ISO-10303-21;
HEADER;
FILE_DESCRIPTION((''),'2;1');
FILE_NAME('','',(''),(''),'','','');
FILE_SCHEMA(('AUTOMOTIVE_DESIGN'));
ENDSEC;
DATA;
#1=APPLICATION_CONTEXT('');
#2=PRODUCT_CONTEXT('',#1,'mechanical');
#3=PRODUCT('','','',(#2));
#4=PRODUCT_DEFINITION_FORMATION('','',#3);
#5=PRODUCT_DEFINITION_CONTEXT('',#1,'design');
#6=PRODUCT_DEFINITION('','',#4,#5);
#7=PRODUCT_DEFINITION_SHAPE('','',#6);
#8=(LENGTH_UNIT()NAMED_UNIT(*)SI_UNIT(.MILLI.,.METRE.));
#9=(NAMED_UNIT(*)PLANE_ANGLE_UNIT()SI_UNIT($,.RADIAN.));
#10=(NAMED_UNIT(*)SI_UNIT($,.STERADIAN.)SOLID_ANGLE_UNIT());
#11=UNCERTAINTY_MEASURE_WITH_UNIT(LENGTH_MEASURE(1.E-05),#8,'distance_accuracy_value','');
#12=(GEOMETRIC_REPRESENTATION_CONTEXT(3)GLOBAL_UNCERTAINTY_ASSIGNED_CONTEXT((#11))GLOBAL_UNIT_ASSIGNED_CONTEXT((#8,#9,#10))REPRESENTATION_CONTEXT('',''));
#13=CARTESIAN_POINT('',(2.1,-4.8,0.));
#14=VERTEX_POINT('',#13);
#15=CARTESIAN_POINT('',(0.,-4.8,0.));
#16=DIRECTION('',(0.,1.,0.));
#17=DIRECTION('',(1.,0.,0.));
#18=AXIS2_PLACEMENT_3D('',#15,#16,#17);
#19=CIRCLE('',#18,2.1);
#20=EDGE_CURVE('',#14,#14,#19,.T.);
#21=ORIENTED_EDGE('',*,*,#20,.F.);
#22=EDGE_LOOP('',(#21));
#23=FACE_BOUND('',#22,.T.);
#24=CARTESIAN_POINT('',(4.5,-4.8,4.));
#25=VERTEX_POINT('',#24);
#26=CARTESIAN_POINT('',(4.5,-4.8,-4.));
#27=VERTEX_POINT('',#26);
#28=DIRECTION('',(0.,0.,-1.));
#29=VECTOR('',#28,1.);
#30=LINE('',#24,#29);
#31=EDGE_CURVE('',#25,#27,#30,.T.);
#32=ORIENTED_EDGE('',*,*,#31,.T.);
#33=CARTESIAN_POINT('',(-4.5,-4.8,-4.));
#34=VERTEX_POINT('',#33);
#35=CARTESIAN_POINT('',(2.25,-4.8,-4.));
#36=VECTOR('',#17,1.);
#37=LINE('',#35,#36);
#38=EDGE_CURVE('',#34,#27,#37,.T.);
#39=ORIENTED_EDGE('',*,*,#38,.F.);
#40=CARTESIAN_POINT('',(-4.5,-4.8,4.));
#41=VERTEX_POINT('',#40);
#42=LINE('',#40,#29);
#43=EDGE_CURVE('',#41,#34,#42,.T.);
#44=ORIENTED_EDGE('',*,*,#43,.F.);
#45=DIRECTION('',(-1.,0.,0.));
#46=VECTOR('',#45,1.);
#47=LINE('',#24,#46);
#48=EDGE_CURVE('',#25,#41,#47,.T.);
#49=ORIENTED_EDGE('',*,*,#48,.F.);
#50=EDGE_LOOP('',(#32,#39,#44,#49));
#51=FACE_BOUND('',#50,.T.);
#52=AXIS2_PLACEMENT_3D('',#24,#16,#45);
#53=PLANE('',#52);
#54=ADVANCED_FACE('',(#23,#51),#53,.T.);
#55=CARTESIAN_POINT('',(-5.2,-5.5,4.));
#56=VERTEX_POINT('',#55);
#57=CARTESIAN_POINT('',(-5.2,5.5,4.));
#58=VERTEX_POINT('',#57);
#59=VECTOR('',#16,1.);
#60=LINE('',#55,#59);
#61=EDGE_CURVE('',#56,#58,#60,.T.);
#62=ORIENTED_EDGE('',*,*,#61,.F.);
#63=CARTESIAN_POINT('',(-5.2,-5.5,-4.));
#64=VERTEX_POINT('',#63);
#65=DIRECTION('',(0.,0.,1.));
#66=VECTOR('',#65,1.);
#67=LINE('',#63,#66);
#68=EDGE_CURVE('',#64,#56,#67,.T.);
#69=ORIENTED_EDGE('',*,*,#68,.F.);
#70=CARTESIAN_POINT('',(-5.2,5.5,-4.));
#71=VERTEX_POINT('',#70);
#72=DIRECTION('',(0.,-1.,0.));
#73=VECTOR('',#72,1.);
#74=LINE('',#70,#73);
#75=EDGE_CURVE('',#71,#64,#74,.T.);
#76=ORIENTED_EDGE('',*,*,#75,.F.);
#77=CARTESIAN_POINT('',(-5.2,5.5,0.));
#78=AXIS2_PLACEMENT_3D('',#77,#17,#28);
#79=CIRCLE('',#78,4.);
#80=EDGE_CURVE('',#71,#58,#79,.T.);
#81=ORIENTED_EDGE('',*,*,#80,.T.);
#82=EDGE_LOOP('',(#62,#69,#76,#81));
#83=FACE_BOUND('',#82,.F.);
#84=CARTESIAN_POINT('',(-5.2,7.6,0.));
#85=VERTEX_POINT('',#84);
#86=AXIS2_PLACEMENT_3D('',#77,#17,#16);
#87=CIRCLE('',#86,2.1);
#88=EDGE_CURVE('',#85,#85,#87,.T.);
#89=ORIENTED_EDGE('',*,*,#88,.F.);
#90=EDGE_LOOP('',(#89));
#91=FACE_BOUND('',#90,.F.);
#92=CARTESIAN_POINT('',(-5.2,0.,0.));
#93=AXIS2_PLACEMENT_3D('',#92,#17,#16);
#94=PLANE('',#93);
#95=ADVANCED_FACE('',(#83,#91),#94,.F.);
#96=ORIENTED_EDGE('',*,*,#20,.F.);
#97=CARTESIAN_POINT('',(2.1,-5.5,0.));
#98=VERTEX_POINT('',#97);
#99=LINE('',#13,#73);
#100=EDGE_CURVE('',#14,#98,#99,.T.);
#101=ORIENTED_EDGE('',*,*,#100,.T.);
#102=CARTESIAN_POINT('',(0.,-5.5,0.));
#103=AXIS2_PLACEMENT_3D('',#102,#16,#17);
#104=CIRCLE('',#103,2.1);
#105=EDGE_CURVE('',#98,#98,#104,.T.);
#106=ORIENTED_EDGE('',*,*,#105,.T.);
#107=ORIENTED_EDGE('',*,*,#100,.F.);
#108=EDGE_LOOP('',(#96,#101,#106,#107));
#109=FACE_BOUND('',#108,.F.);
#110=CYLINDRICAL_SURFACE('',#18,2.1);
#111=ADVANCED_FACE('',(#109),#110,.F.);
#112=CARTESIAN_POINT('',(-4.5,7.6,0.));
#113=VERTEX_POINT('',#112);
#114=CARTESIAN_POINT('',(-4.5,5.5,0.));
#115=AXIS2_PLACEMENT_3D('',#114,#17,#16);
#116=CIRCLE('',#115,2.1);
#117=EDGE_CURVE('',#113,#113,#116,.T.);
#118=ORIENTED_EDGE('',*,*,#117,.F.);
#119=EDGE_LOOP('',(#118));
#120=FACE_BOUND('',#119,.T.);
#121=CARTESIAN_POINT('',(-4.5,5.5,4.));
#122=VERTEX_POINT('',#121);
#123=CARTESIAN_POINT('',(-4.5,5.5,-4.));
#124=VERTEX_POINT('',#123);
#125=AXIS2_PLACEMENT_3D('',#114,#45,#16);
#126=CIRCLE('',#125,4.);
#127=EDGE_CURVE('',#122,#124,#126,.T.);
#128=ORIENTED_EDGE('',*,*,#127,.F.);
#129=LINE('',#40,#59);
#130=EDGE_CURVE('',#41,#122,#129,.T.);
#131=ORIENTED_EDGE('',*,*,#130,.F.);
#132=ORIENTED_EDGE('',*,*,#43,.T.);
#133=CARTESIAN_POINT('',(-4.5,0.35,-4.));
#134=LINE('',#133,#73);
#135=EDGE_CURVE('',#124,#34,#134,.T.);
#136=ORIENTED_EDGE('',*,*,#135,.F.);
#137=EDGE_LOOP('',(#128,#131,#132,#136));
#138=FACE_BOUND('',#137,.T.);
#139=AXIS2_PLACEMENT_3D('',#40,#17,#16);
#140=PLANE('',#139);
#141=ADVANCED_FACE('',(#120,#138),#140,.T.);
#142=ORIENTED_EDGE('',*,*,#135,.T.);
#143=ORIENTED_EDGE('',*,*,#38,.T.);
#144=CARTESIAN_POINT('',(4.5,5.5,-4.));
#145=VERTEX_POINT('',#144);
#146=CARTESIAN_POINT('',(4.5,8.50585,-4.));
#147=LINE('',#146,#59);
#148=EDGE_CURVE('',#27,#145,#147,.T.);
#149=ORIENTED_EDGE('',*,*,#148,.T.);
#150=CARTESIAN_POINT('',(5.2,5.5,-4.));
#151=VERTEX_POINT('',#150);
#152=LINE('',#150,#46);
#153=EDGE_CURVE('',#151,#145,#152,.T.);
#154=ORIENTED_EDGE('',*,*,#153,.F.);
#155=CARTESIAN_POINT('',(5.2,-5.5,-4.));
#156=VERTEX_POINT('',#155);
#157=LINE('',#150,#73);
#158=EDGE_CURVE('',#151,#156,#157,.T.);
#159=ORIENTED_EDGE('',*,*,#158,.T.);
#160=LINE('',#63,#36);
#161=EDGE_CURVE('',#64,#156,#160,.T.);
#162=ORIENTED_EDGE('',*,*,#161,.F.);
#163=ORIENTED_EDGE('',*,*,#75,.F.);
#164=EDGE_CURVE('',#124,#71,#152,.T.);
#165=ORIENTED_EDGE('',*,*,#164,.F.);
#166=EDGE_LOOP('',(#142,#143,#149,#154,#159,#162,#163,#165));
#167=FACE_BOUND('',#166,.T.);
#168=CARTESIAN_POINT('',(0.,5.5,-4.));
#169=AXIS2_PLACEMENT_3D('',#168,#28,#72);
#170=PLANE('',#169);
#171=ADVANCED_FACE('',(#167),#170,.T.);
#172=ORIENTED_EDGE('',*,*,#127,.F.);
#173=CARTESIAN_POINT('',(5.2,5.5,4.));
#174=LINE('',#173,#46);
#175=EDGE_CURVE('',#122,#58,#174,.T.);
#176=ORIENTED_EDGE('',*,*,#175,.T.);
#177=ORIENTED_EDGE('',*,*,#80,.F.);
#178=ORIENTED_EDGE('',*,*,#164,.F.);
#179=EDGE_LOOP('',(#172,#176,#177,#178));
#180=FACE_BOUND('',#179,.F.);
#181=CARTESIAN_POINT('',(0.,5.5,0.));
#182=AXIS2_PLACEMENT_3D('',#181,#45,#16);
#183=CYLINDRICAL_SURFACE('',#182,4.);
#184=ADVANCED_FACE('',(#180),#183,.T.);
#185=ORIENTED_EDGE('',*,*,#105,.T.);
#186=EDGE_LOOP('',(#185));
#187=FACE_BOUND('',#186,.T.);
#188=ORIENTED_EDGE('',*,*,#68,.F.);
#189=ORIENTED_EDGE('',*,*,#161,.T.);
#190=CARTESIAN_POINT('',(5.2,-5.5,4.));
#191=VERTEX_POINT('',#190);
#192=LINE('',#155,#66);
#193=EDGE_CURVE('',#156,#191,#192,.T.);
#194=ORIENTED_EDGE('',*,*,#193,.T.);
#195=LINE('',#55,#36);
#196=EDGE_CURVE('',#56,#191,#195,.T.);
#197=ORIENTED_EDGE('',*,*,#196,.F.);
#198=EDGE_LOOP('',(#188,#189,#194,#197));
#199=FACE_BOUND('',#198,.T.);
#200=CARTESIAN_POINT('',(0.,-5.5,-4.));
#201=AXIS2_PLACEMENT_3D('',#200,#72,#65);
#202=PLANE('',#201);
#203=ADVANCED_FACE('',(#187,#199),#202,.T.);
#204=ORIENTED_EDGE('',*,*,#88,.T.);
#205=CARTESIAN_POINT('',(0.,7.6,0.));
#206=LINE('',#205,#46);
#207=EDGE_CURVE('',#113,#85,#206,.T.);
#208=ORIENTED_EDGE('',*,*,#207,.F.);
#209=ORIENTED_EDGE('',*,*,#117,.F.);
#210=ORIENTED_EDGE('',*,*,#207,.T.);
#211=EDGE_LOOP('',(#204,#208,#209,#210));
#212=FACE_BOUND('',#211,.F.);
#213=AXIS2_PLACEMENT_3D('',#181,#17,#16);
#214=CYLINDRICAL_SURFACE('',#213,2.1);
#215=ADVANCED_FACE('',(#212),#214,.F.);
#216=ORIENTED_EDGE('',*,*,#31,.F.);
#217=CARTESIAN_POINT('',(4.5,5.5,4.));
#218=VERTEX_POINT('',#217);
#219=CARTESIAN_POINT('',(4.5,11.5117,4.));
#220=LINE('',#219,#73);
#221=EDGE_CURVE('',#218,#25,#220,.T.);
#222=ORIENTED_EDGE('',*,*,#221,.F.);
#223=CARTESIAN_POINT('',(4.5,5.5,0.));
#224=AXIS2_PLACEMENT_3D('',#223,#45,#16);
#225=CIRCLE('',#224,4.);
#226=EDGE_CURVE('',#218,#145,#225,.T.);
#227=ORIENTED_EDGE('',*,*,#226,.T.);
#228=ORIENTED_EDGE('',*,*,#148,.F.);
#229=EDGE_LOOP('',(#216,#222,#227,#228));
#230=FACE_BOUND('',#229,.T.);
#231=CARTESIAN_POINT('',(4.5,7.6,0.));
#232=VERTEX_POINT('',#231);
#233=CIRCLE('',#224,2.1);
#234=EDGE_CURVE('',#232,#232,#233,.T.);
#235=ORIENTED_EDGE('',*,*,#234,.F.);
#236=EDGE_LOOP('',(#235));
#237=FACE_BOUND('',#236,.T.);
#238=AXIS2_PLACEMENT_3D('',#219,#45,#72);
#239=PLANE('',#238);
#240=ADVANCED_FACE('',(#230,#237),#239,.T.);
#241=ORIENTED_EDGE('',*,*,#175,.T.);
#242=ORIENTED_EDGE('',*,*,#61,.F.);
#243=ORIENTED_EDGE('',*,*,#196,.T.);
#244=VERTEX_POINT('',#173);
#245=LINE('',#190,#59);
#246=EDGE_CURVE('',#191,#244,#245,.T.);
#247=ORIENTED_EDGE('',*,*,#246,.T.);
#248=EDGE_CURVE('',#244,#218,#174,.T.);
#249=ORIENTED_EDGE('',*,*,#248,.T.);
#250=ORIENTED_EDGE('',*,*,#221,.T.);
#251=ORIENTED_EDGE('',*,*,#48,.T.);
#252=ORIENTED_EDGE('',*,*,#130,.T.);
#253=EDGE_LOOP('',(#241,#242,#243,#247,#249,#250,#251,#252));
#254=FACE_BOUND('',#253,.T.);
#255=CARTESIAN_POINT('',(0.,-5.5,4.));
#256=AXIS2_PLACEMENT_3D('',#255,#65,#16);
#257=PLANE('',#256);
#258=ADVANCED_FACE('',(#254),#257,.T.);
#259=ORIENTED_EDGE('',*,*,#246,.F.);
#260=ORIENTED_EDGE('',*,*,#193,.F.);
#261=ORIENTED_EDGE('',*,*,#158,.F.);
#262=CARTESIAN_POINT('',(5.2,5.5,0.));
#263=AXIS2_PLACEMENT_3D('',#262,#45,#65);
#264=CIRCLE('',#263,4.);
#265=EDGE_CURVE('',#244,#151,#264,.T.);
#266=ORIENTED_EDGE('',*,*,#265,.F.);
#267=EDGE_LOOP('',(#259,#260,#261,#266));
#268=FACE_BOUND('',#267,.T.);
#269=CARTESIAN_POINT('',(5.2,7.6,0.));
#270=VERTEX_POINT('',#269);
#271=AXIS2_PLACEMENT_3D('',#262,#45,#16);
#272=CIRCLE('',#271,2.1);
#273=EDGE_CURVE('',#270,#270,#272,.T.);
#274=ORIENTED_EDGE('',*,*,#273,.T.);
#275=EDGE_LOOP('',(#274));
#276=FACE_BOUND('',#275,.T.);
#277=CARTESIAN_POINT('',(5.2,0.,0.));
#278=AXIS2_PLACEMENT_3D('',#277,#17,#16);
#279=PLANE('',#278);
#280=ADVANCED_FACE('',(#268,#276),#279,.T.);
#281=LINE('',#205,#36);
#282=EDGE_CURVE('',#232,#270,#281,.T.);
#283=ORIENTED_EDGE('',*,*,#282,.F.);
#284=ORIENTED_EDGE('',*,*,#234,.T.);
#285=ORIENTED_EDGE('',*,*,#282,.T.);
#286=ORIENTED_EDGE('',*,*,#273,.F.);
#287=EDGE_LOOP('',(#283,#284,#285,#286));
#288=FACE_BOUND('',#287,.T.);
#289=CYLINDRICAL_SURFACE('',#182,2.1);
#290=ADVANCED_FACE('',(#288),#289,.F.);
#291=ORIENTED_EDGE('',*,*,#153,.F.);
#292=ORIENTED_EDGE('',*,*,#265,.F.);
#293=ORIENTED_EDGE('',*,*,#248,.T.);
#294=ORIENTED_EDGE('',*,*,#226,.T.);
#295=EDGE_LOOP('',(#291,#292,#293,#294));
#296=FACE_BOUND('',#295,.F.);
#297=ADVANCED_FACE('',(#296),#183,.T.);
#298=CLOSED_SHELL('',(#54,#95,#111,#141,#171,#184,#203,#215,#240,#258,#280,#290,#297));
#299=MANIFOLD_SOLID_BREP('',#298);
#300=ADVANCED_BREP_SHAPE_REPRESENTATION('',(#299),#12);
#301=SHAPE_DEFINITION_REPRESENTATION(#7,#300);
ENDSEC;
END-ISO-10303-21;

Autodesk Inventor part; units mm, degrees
ref_plane "YZ Plane" through (0, 0, 0) normal (1, 0, 0) x (0, 1, 0)
ref_plane "XZ Plane" through (0, 0, 0) normal (0, 1, 0) x (-1, 0, 0)
ref_plane "XY Plane" through (0, 0, 0) normal (0, 0, 1) x (1, 0, 0)
sketch "스케치1" plane through (0, 0, 0) normal (1, 0, 0) x (0, 1, 0)
  line L0 (-5.5, 4) -> (5.5, 4)
  line L1 (5.5, 4) -> (5.5, -4)
  line L2 (5.5, -4) -> (-5.5, -4)
  line L3 (-5.5, -4) -> (-5.5, 4)
  line L4 (-5.5, 4) -> (5.5, -4) construction
  line L5 (5.5, 4) -> (-5.5, -4) construction
  circle A0 centre (5.5, 0) radius 4
  circle A1 centre (5.5, 0) radius 2.1
  point P0 (0, 0)
  dimension "d0" = 8
  dimension "d1" = 11
  dimension "d2" = 4.2
extrude "돌출1" add sketch "스케치1" along normal mid plane 10.4 contours L0 A0 L2 L3 | A0 L1 A1 | L1 A1 A0
sketch "스케치2" plane through (-5.2, -5.5, 4) normal (0, 0, 1) x (1, 0, 0)
  line L0 (0.7, 17.0117) -> (9.7, 17.0117)
  line L1 (9.7, 17.0117) -> (9.7, 0.7)
  line L2 (9.7, 0.7) -> (0.7, 0.7)
  line L3 (0.7, 0.7) -> (0.7, 17.0117)
  line L4 (0.7, 17.0117) -> (9.7, 0.7) construction
  line L5 (9.7, 17.0117) -> (0.7, 0.7) construction
  line L6 (0, 0) -> (0, 11) projected
  line L7 (0, 0) -> (10.4, 0) projected
  line L8 (10.4, 11) -> (10.4, 0) projected
  point P0 (5.2, 5.5)
  point P1 (5.2, 8.8559)
  dimension "d5" = 0.7
  dimension "d6" = 0.7
  dimension "d7" = 0.7
extrude "돌출2" cut sketch "스케치2" against normal through all
sketch "스케치3" plane through (-4.5, -4.8, 4) normal (0, 1, 0) x (1, 0, 0)
  circle A0 centre (4.5, 4) radius 2.1
  dimension "d10" = 4.2
extrude "돌출3" cut sketch "스케치3" against normal through all
properties part number "각도엑추에이터브라켓" material "스테인리스스틸"
